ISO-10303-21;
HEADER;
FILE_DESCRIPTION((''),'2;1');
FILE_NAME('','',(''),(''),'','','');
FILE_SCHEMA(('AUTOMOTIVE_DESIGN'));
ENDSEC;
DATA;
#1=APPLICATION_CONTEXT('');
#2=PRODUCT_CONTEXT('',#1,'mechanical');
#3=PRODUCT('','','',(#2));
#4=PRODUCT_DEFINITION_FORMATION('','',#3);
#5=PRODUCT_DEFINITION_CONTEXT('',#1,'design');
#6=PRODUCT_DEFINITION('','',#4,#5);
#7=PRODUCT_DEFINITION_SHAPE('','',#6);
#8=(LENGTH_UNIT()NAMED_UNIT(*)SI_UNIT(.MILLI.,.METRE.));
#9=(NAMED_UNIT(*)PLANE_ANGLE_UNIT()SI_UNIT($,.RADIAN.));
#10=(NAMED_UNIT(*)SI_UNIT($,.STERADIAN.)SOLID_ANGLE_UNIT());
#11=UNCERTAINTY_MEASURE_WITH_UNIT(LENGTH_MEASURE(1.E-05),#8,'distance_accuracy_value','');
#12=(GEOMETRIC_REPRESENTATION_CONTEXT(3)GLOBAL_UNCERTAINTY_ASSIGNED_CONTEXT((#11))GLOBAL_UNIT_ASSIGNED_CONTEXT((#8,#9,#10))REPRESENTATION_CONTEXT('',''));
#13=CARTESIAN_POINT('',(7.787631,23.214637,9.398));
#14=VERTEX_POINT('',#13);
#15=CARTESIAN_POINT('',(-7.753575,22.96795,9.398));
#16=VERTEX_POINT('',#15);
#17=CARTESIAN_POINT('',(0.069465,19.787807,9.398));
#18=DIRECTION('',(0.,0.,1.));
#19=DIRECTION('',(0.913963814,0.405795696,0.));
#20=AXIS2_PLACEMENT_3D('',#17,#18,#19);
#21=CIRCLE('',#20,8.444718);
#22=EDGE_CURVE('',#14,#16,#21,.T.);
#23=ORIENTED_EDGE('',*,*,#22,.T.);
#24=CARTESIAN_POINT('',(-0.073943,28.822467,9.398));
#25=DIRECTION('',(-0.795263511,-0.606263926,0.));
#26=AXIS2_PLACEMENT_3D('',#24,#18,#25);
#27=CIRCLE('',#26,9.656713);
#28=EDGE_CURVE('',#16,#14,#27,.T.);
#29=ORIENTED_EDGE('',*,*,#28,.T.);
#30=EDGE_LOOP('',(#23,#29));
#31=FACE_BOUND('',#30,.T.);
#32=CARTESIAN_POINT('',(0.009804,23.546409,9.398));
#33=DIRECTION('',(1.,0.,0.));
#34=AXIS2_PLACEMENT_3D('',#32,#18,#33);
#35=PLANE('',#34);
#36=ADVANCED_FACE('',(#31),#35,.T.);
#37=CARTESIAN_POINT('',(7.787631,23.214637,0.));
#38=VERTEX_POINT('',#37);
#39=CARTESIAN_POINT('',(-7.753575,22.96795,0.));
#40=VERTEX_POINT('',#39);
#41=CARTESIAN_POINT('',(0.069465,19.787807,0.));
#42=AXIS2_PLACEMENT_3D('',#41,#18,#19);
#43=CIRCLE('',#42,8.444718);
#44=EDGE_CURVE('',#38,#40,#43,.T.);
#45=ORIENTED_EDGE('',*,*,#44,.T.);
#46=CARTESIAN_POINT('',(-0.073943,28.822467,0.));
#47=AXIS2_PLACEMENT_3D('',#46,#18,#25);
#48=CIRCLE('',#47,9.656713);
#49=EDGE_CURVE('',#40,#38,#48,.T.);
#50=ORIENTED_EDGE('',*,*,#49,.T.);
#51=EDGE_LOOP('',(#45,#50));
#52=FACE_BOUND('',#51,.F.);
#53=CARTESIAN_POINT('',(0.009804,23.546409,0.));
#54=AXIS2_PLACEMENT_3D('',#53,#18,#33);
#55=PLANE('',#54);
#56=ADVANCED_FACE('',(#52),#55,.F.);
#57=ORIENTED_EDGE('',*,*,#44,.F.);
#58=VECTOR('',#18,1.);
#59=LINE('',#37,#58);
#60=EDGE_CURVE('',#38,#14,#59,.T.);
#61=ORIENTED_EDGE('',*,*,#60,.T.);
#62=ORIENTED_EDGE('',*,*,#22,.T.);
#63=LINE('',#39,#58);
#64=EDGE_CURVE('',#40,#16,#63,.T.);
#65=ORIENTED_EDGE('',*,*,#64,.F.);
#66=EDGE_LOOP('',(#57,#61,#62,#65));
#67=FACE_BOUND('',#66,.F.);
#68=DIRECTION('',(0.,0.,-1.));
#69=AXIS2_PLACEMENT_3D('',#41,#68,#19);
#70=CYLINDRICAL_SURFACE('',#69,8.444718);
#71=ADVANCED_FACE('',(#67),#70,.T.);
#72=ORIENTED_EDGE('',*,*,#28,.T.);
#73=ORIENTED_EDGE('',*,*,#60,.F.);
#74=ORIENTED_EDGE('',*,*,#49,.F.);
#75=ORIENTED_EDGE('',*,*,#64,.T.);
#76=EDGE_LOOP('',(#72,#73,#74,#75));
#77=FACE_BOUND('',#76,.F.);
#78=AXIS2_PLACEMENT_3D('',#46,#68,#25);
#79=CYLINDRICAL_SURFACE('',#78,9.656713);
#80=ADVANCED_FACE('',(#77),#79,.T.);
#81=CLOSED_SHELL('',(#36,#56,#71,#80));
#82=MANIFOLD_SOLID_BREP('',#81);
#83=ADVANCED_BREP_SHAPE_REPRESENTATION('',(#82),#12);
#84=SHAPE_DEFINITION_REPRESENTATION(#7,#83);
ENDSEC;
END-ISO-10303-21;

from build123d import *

# Parameters (mm, degrees)
F1_DEPTH = 9.398


with BuildPart() as f1:
    # F0 (on Top) → F1 (new body)
    with BuildSketch(Plane.XY):
        with BuildLine():
            ThreePointArc((-7.753575, 22.96795), (0.079319, 19.16697), (7.787631, 23.214637))
            ThreePointArc((7.787631, 23.214637), (-0.064562, 28.231461), (-7.753575, 22.96795))
        make_face()
    extrude(amount=F1_DEPTH)


solid = f1.part
